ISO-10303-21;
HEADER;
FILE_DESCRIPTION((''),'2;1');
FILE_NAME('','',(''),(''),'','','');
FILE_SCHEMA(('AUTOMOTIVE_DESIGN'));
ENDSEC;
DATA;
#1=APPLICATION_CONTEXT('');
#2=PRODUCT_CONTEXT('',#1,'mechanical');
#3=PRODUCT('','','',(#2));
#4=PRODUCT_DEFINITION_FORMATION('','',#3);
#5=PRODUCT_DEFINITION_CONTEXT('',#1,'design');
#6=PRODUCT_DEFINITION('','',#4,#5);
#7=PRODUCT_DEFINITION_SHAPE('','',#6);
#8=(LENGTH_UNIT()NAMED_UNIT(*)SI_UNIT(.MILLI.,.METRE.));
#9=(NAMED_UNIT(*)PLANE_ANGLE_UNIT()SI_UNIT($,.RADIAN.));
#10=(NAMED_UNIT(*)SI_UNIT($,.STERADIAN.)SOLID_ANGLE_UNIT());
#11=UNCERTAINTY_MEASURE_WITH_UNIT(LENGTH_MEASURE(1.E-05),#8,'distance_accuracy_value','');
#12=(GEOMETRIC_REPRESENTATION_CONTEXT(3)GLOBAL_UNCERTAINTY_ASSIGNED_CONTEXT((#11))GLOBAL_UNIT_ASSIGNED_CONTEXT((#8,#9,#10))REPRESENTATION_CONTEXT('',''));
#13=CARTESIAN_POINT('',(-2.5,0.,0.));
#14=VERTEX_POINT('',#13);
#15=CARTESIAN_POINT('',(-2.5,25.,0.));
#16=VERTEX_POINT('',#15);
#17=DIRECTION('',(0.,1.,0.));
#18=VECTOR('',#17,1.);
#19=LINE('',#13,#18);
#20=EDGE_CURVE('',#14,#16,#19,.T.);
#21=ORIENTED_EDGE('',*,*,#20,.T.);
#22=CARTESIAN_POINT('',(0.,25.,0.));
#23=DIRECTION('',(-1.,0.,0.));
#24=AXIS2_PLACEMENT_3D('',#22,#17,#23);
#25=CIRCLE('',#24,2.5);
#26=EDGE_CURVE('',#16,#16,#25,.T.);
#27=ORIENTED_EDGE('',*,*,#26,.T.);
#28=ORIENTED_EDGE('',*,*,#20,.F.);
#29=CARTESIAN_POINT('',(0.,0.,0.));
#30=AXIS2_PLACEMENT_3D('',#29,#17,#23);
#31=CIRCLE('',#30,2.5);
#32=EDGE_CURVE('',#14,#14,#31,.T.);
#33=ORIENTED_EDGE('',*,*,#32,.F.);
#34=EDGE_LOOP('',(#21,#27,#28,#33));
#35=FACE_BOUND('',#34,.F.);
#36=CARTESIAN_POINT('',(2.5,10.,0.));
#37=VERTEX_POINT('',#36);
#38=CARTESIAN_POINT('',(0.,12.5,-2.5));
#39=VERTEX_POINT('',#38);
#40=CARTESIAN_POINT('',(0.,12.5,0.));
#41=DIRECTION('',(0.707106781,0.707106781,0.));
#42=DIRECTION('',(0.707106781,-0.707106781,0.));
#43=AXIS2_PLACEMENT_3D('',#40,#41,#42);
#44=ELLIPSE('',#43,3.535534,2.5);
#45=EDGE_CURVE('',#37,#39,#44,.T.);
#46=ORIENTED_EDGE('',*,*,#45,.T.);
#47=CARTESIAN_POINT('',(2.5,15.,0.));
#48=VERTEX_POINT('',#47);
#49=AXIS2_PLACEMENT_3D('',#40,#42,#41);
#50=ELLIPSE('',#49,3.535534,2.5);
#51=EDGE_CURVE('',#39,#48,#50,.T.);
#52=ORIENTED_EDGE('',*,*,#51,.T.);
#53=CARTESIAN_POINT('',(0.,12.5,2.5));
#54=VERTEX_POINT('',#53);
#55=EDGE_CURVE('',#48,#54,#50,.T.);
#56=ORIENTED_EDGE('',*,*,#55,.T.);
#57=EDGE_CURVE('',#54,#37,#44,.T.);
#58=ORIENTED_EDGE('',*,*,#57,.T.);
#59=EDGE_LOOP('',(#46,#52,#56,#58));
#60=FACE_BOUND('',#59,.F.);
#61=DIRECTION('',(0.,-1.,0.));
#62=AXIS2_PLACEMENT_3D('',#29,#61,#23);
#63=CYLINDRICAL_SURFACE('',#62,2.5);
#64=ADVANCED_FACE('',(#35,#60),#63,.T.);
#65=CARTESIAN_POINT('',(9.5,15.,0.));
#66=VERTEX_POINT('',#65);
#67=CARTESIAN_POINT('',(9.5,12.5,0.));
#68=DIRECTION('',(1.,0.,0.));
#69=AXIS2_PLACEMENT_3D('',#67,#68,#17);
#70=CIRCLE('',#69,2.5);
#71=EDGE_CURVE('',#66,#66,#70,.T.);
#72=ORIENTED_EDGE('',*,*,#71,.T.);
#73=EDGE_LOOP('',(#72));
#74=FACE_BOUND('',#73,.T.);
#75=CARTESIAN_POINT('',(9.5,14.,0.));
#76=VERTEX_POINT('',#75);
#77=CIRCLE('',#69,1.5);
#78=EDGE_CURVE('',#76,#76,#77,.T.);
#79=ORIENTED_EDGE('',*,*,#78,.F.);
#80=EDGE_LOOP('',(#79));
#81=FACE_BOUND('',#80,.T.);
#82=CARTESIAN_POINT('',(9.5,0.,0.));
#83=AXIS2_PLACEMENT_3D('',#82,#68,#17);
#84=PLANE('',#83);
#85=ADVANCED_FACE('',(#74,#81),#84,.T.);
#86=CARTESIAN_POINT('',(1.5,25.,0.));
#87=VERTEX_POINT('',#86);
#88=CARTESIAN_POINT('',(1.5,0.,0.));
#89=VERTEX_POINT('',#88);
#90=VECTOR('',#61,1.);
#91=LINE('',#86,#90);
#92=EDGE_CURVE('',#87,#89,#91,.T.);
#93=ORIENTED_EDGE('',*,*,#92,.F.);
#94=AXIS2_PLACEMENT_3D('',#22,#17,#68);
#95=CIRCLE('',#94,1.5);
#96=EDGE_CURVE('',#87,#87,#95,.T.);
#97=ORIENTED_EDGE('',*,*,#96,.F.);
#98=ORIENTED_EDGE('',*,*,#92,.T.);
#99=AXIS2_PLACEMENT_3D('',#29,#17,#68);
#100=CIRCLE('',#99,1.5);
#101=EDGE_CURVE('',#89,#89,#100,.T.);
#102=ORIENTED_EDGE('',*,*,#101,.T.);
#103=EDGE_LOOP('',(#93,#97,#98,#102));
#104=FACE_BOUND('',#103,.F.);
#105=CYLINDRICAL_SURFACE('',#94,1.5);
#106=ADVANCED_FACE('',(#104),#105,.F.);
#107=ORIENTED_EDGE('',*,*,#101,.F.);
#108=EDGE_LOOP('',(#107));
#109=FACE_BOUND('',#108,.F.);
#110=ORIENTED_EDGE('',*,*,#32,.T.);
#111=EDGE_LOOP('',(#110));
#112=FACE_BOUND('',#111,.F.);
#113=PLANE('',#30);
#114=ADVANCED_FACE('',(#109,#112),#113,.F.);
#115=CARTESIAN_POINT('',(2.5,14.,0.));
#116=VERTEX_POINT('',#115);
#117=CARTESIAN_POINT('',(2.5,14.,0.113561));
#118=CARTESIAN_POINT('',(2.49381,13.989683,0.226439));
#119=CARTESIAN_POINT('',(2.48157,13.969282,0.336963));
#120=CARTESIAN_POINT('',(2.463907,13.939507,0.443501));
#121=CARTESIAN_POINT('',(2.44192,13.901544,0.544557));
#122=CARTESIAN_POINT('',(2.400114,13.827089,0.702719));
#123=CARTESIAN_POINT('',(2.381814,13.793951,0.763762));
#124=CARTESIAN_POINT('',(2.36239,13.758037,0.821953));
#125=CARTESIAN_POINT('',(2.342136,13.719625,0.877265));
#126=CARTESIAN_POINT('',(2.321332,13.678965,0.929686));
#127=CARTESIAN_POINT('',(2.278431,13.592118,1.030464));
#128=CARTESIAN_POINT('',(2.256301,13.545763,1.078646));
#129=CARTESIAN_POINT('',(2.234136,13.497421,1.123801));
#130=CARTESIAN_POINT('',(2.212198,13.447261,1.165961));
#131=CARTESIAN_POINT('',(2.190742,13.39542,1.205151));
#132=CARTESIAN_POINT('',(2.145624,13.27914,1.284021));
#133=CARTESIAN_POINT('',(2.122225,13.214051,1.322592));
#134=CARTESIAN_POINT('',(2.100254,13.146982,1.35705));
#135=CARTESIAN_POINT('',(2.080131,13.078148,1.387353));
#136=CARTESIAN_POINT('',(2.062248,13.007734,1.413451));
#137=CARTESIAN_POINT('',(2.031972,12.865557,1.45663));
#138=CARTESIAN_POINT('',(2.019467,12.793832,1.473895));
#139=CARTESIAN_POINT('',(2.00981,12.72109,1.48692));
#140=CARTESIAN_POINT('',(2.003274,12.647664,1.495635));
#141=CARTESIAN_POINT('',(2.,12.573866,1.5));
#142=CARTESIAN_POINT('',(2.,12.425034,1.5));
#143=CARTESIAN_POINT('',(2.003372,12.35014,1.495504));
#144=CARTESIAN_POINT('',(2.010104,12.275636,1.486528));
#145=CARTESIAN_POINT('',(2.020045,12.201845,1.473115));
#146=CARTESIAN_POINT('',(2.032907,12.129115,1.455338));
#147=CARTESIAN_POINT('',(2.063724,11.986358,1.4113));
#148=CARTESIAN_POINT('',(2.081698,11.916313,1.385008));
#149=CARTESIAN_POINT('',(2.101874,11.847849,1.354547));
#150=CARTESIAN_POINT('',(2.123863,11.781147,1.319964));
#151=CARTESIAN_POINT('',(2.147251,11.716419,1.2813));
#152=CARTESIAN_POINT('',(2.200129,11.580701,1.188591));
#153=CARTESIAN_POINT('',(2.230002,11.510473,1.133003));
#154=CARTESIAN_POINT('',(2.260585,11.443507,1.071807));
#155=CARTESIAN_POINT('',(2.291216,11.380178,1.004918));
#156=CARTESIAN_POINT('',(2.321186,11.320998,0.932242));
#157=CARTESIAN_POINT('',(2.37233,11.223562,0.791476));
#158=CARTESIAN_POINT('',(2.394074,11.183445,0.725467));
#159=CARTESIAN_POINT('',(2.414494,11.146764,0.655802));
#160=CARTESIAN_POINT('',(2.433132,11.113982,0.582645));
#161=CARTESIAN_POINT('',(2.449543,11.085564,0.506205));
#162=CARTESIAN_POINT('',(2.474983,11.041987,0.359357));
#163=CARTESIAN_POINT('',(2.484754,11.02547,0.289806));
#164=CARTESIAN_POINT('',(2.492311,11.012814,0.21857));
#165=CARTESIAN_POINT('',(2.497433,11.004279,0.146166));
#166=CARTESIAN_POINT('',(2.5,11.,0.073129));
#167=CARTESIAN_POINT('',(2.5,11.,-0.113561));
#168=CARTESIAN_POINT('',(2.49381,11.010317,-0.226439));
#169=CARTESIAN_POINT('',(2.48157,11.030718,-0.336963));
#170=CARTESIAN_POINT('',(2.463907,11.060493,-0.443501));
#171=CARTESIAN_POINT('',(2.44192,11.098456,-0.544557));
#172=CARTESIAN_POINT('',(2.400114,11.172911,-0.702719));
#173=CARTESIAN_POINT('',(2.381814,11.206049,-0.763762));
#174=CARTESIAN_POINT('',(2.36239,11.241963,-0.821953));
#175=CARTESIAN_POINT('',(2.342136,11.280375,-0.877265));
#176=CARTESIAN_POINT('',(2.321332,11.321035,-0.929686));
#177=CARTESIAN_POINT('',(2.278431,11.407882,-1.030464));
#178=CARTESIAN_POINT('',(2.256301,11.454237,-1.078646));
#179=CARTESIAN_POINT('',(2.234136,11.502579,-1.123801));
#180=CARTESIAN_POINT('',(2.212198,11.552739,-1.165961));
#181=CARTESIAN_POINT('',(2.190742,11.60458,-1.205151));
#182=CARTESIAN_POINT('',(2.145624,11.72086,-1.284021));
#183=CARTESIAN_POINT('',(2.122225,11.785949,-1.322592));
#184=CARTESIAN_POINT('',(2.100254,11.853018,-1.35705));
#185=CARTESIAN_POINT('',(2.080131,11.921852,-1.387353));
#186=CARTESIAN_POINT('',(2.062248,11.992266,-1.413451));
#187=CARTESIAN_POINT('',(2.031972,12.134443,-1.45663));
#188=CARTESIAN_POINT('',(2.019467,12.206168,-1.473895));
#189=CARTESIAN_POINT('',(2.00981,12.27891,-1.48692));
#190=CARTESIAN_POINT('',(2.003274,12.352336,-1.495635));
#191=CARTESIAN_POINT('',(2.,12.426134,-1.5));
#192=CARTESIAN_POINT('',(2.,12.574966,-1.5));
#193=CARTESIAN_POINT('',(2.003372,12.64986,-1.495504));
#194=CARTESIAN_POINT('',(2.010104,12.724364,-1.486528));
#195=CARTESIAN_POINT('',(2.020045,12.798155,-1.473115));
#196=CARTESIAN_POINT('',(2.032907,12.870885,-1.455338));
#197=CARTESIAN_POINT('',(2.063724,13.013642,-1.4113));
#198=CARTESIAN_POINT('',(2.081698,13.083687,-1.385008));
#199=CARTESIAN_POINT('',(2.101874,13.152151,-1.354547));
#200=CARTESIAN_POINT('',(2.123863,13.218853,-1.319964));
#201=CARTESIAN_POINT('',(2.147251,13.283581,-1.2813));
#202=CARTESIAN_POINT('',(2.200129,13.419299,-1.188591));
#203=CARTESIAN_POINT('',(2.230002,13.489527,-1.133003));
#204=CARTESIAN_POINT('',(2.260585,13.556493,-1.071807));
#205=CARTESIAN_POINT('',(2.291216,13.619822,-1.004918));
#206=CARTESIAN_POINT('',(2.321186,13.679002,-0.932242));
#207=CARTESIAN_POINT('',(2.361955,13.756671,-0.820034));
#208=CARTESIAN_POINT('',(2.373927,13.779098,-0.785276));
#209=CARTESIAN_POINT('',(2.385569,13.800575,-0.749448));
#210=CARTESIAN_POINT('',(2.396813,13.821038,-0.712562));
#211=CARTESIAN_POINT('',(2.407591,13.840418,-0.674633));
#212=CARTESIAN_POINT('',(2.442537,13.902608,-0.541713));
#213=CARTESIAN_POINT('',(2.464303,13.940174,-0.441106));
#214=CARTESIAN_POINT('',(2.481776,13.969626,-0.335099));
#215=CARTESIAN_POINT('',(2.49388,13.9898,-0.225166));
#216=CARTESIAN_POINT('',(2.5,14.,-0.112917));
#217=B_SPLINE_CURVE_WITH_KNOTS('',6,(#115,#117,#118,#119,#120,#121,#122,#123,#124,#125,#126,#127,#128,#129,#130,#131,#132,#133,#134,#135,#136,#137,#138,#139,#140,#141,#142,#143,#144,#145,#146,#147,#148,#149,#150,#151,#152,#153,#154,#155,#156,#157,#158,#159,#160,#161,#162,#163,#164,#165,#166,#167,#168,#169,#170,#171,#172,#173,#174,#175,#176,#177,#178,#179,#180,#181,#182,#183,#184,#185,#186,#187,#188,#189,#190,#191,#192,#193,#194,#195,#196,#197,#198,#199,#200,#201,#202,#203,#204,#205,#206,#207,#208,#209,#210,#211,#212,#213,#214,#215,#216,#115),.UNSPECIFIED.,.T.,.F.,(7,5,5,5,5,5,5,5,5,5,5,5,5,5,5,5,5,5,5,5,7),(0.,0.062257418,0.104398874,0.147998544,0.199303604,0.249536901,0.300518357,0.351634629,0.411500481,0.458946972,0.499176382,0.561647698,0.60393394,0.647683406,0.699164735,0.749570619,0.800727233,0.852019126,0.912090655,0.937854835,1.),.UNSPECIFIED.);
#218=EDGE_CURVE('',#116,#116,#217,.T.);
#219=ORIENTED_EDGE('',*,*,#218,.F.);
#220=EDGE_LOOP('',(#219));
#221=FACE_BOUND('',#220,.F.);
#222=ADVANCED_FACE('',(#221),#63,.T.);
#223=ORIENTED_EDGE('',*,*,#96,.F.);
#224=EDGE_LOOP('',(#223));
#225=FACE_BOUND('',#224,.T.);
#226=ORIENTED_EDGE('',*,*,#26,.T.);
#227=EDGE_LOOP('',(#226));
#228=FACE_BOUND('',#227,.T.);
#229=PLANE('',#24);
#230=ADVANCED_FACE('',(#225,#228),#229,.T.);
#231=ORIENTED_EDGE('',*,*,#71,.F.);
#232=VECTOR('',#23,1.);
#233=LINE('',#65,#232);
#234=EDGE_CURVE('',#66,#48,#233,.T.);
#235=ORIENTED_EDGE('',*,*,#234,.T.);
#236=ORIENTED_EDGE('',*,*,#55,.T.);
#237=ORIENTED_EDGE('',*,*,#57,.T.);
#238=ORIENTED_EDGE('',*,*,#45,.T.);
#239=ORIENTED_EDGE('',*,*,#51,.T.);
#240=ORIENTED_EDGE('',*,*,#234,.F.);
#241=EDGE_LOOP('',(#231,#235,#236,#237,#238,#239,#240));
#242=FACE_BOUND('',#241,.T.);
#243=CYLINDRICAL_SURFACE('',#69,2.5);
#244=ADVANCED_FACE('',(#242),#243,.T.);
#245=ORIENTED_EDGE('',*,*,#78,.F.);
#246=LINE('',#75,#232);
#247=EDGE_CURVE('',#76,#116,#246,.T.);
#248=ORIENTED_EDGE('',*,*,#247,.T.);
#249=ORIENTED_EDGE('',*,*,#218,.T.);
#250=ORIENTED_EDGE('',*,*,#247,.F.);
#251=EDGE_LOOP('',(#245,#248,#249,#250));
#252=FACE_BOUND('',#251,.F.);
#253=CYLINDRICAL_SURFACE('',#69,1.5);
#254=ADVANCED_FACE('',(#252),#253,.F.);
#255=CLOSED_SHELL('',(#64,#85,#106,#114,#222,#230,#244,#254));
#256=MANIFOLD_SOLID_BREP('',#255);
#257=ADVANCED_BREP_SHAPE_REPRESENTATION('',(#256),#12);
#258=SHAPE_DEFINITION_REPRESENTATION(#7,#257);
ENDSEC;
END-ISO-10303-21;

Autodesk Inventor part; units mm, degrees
ref_plane "XZ Plane" through (0, 0, 0) normal (0, 1, 0) x (-1, 0, 0)
ref_plane "XY Plane" through (0, 0, 0) normal (0, 0, 1) x (1, 0, 0)
sketch "Skizze1" plane through (0, 0, 0) normal (0, 1, 0) x (-1, 0, 0)
  circle A0 centre (0, 0) radius 2.5
  dimension "d0" = 5
extrude "Extrusion1" add sketch "Skizze1" along normal blind 25
sketch "Skizze2" plane through (0, 25, 0) normal (0, 1, 0) x (1, 0, 0)
  circle A0 centre (0, 0) radius 2.5 projected
  circle A1 centre (0, 0) radius 1.5
  dimension "d3" = 3
extrude "Extrusion2" cut sketch "Skizze2" against normal up to surface (25 mm away) contours A1
ref_plane "Arbeitsebene1" through (9.5, 0, 0) normal (1, 0, 0) x (0, 1, 0)
sketch "Skizze3" plane through (9.5, 0, 0) normal (1, 0, 0) x (0, 1, 0)
  circle A0 centre (12.5, 0) radius 2.5
  circle A1 centre (12.5, 0) radius 1.5
  point P0 (0, 0)
  dimension "d7" = 5
  dimension "d8" = 3
  dimension "d9" = 12.5
extrude "Extrusion3" add sketch "Skizze3" against normal up to surface
properties part number "divider" material "Messing, weicher Gelbton"
